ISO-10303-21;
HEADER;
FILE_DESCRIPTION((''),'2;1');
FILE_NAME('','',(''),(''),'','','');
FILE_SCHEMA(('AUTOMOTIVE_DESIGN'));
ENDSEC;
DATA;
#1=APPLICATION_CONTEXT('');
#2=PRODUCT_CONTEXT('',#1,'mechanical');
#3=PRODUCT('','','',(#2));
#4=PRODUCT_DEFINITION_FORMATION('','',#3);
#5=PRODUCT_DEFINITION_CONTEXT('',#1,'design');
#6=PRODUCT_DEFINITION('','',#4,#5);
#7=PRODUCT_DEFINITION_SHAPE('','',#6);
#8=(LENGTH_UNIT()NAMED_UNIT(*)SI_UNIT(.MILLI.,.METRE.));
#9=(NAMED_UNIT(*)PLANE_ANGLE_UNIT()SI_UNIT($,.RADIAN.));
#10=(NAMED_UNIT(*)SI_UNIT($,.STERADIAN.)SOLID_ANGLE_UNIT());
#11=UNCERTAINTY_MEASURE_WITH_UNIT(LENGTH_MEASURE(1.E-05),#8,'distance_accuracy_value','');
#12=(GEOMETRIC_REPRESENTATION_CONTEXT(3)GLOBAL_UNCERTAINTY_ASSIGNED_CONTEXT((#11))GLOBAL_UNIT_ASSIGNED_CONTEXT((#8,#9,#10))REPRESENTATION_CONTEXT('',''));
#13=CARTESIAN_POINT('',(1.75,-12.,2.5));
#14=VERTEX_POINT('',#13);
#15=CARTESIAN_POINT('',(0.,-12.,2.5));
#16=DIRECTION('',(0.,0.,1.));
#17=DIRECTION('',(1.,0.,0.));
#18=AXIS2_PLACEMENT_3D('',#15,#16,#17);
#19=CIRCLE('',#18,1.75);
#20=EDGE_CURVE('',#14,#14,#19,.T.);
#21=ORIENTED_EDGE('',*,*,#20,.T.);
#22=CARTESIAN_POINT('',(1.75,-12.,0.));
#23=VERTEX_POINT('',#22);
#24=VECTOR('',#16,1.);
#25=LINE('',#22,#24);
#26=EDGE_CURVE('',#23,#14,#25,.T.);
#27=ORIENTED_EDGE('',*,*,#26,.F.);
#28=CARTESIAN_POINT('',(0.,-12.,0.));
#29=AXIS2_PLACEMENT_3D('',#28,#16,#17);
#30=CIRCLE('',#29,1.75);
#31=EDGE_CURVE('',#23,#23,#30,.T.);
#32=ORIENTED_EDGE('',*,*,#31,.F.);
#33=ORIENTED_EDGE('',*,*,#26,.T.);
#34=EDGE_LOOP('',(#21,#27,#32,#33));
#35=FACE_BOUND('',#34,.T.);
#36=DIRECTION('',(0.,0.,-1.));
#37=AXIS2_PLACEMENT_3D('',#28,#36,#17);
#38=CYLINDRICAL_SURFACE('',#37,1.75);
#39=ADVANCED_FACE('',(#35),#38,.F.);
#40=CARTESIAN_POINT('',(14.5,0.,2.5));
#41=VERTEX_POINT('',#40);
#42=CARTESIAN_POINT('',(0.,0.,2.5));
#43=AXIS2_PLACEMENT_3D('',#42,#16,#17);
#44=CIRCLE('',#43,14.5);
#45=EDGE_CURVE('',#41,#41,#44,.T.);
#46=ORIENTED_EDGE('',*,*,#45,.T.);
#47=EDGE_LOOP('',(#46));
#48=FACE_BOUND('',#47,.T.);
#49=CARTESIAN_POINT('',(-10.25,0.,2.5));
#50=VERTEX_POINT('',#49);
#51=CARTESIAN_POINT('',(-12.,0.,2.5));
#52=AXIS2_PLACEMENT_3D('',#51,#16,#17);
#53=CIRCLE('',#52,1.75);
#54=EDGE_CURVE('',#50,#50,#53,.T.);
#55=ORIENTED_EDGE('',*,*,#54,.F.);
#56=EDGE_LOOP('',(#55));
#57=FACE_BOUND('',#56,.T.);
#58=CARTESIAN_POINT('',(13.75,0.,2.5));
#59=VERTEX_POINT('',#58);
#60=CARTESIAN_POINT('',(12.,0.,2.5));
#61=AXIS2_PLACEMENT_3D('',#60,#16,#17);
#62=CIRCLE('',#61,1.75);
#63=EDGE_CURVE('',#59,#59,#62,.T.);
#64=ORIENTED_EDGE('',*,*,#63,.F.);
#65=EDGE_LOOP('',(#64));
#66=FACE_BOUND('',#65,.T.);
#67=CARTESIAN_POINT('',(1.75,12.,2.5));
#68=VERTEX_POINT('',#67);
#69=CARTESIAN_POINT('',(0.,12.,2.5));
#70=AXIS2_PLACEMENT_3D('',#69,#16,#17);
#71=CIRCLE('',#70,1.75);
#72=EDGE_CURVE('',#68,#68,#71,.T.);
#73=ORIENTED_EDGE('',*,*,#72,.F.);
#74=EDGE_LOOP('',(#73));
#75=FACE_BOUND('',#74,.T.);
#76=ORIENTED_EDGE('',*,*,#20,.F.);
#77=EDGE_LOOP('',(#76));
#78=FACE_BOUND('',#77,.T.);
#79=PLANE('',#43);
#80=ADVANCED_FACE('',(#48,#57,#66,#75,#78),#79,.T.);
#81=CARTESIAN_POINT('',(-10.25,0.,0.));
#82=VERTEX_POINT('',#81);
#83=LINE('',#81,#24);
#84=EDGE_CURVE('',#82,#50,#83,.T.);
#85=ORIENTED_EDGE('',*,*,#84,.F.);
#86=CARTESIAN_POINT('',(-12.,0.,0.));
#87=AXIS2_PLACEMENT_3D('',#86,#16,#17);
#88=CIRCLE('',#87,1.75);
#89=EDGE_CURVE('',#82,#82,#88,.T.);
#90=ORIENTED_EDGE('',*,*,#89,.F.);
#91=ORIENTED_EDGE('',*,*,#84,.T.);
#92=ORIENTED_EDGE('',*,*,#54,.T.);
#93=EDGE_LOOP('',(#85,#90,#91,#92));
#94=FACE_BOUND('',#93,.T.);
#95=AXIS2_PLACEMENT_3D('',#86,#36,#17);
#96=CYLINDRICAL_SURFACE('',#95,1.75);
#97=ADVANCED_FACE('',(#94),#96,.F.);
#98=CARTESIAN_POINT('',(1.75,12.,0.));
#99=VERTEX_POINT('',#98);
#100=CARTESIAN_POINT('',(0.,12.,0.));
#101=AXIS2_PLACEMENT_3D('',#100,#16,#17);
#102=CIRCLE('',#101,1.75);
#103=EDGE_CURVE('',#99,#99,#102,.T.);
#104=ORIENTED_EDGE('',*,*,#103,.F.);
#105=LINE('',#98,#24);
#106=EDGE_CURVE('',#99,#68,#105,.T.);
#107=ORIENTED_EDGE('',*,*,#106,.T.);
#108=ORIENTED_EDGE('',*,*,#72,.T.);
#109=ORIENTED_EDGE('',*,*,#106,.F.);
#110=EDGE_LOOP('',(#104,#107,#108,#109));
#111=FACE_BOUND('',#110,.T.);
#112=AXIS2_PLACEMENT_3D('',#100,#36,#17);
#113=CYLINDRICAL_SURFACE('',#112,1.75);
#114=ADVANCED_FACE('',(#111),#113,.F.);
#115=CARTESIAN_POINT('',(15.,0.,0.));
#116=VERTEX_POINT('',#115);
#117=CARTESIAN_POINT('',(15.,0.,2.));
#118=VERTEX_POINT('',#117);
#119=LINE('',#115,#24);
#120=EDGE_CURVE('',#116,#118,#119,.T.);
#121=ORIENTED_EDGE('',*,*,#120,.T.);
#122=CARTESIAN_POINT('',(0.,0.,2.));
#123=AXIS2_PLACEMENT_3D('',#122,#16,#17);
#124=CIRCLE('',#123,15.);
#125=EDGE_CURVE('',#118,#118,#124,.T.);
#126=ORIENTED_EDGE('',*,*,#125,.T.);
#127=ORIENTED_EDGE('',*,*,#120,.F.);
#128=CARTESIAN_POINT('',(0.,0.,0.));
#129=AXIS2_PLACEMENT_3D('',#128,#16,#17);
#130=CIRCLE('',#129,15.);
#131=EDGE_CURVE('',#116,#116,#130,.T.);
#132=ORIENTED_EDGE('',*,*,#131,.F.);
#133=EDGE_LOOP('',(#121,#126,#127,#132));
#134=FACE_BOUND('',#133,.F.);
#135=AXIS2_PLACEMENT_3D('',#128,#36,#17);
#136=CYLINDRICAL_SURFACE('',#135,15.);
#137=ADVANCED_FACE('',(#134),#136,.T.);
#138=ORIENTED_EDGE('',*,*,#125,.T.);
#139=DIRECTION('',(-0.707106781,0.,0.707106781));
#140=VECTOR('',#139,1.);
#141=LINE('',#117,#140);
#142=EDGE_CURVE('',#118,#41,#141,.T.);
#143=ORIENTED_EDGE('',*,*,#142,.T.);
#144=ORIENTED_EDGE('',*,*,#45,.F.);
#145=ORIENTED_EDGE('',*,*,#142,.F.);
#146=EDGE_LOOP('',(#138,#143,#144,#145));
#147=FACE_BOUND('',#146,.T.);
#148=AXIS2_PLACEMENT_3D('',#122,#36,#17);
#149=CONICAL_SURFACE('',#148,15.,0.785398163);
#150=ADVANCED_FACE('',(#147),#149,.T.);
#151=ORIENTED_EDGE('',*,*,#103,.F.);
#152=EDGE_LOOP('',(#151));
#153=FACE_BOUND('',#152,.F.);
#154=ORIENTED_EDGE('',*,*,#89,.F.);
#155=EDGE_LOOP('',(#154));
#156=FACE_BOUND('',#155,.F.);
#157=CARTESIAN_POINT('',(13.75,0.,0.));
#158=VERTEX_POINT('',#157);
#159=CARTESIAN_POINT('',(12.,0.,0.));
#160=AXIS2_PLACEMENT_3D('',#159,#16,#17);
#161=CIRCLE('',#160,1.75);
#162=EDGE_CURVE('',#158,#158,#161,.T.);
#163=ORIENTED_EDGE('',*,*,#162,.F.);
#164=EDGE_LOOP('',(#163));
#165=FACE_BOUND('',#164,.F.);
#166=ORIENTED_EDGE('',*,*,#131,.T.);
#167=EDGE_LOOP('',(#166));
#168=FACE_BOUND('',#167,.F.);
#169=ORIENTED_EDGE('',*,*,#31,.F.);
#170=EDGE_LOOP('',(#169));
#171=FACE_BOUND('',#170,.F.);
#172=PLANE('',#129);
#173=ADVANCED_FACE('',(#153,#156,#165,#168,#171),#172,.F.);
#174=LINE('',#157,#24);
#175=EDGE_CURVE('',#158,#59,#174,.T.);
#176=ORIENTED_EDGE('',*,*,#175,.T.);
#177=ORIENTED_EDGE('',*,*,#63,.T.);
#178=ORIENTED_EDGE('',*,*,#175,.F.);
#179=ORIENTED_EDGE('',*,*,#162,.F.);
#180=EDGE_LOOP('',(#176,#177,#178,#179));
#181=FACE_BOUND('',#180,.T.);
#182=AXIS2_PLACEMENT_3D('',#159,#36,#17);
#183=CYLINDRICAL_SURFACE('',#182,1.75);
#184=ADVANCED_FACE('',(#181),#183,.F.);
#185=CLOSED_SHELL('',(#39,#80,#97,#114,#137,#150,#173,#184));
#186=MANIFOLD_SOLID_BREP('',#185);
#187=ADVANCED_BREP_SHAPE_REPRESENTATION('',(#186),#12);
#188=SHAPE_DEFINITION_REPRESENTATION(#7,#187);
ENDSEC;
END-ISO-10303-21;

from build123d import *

# Parameters (mm, degrees)
F0_R     = 15
F0_R_2   = 1.75
F0_R_3   = 6.5
F1_DEPTH = 2.5
F2_SIZE  = 0.5


with BuildPart() as f1:
    # F0 (on Top) → F1 (new body)
    with BuildSketch(Plane.XY):
        Circle(F0_R)
        with Locations((0, -12)):
            Circle(F0_R_2, mode=Mode.SUBTRACT)
        with Locations((-12, 0)):
            Circle(F0_R_2, mode=Mode.SUBTRACT)
        Circle(F0_R_3, mode=Mode.SUBTRACT)
        with Locations((12, 0)):
            Circle(F0_R_2, mode=Mode.SUBTRACT)
        with Locations((0, 12)):
            Circle(F0_R_2, mode=Mode.SUBTRACT)
        Circle(F0_R_3)
    extrude(amount=F1_DEPTH)

    # F2
    f2_edges = [f1.edges().sort_by_distance(p)[0] for p in [
        (-15, 0, 2.5),
    ]]
    chamfer(f2_edges, length=F2_SIZE)


solid = f1.part
